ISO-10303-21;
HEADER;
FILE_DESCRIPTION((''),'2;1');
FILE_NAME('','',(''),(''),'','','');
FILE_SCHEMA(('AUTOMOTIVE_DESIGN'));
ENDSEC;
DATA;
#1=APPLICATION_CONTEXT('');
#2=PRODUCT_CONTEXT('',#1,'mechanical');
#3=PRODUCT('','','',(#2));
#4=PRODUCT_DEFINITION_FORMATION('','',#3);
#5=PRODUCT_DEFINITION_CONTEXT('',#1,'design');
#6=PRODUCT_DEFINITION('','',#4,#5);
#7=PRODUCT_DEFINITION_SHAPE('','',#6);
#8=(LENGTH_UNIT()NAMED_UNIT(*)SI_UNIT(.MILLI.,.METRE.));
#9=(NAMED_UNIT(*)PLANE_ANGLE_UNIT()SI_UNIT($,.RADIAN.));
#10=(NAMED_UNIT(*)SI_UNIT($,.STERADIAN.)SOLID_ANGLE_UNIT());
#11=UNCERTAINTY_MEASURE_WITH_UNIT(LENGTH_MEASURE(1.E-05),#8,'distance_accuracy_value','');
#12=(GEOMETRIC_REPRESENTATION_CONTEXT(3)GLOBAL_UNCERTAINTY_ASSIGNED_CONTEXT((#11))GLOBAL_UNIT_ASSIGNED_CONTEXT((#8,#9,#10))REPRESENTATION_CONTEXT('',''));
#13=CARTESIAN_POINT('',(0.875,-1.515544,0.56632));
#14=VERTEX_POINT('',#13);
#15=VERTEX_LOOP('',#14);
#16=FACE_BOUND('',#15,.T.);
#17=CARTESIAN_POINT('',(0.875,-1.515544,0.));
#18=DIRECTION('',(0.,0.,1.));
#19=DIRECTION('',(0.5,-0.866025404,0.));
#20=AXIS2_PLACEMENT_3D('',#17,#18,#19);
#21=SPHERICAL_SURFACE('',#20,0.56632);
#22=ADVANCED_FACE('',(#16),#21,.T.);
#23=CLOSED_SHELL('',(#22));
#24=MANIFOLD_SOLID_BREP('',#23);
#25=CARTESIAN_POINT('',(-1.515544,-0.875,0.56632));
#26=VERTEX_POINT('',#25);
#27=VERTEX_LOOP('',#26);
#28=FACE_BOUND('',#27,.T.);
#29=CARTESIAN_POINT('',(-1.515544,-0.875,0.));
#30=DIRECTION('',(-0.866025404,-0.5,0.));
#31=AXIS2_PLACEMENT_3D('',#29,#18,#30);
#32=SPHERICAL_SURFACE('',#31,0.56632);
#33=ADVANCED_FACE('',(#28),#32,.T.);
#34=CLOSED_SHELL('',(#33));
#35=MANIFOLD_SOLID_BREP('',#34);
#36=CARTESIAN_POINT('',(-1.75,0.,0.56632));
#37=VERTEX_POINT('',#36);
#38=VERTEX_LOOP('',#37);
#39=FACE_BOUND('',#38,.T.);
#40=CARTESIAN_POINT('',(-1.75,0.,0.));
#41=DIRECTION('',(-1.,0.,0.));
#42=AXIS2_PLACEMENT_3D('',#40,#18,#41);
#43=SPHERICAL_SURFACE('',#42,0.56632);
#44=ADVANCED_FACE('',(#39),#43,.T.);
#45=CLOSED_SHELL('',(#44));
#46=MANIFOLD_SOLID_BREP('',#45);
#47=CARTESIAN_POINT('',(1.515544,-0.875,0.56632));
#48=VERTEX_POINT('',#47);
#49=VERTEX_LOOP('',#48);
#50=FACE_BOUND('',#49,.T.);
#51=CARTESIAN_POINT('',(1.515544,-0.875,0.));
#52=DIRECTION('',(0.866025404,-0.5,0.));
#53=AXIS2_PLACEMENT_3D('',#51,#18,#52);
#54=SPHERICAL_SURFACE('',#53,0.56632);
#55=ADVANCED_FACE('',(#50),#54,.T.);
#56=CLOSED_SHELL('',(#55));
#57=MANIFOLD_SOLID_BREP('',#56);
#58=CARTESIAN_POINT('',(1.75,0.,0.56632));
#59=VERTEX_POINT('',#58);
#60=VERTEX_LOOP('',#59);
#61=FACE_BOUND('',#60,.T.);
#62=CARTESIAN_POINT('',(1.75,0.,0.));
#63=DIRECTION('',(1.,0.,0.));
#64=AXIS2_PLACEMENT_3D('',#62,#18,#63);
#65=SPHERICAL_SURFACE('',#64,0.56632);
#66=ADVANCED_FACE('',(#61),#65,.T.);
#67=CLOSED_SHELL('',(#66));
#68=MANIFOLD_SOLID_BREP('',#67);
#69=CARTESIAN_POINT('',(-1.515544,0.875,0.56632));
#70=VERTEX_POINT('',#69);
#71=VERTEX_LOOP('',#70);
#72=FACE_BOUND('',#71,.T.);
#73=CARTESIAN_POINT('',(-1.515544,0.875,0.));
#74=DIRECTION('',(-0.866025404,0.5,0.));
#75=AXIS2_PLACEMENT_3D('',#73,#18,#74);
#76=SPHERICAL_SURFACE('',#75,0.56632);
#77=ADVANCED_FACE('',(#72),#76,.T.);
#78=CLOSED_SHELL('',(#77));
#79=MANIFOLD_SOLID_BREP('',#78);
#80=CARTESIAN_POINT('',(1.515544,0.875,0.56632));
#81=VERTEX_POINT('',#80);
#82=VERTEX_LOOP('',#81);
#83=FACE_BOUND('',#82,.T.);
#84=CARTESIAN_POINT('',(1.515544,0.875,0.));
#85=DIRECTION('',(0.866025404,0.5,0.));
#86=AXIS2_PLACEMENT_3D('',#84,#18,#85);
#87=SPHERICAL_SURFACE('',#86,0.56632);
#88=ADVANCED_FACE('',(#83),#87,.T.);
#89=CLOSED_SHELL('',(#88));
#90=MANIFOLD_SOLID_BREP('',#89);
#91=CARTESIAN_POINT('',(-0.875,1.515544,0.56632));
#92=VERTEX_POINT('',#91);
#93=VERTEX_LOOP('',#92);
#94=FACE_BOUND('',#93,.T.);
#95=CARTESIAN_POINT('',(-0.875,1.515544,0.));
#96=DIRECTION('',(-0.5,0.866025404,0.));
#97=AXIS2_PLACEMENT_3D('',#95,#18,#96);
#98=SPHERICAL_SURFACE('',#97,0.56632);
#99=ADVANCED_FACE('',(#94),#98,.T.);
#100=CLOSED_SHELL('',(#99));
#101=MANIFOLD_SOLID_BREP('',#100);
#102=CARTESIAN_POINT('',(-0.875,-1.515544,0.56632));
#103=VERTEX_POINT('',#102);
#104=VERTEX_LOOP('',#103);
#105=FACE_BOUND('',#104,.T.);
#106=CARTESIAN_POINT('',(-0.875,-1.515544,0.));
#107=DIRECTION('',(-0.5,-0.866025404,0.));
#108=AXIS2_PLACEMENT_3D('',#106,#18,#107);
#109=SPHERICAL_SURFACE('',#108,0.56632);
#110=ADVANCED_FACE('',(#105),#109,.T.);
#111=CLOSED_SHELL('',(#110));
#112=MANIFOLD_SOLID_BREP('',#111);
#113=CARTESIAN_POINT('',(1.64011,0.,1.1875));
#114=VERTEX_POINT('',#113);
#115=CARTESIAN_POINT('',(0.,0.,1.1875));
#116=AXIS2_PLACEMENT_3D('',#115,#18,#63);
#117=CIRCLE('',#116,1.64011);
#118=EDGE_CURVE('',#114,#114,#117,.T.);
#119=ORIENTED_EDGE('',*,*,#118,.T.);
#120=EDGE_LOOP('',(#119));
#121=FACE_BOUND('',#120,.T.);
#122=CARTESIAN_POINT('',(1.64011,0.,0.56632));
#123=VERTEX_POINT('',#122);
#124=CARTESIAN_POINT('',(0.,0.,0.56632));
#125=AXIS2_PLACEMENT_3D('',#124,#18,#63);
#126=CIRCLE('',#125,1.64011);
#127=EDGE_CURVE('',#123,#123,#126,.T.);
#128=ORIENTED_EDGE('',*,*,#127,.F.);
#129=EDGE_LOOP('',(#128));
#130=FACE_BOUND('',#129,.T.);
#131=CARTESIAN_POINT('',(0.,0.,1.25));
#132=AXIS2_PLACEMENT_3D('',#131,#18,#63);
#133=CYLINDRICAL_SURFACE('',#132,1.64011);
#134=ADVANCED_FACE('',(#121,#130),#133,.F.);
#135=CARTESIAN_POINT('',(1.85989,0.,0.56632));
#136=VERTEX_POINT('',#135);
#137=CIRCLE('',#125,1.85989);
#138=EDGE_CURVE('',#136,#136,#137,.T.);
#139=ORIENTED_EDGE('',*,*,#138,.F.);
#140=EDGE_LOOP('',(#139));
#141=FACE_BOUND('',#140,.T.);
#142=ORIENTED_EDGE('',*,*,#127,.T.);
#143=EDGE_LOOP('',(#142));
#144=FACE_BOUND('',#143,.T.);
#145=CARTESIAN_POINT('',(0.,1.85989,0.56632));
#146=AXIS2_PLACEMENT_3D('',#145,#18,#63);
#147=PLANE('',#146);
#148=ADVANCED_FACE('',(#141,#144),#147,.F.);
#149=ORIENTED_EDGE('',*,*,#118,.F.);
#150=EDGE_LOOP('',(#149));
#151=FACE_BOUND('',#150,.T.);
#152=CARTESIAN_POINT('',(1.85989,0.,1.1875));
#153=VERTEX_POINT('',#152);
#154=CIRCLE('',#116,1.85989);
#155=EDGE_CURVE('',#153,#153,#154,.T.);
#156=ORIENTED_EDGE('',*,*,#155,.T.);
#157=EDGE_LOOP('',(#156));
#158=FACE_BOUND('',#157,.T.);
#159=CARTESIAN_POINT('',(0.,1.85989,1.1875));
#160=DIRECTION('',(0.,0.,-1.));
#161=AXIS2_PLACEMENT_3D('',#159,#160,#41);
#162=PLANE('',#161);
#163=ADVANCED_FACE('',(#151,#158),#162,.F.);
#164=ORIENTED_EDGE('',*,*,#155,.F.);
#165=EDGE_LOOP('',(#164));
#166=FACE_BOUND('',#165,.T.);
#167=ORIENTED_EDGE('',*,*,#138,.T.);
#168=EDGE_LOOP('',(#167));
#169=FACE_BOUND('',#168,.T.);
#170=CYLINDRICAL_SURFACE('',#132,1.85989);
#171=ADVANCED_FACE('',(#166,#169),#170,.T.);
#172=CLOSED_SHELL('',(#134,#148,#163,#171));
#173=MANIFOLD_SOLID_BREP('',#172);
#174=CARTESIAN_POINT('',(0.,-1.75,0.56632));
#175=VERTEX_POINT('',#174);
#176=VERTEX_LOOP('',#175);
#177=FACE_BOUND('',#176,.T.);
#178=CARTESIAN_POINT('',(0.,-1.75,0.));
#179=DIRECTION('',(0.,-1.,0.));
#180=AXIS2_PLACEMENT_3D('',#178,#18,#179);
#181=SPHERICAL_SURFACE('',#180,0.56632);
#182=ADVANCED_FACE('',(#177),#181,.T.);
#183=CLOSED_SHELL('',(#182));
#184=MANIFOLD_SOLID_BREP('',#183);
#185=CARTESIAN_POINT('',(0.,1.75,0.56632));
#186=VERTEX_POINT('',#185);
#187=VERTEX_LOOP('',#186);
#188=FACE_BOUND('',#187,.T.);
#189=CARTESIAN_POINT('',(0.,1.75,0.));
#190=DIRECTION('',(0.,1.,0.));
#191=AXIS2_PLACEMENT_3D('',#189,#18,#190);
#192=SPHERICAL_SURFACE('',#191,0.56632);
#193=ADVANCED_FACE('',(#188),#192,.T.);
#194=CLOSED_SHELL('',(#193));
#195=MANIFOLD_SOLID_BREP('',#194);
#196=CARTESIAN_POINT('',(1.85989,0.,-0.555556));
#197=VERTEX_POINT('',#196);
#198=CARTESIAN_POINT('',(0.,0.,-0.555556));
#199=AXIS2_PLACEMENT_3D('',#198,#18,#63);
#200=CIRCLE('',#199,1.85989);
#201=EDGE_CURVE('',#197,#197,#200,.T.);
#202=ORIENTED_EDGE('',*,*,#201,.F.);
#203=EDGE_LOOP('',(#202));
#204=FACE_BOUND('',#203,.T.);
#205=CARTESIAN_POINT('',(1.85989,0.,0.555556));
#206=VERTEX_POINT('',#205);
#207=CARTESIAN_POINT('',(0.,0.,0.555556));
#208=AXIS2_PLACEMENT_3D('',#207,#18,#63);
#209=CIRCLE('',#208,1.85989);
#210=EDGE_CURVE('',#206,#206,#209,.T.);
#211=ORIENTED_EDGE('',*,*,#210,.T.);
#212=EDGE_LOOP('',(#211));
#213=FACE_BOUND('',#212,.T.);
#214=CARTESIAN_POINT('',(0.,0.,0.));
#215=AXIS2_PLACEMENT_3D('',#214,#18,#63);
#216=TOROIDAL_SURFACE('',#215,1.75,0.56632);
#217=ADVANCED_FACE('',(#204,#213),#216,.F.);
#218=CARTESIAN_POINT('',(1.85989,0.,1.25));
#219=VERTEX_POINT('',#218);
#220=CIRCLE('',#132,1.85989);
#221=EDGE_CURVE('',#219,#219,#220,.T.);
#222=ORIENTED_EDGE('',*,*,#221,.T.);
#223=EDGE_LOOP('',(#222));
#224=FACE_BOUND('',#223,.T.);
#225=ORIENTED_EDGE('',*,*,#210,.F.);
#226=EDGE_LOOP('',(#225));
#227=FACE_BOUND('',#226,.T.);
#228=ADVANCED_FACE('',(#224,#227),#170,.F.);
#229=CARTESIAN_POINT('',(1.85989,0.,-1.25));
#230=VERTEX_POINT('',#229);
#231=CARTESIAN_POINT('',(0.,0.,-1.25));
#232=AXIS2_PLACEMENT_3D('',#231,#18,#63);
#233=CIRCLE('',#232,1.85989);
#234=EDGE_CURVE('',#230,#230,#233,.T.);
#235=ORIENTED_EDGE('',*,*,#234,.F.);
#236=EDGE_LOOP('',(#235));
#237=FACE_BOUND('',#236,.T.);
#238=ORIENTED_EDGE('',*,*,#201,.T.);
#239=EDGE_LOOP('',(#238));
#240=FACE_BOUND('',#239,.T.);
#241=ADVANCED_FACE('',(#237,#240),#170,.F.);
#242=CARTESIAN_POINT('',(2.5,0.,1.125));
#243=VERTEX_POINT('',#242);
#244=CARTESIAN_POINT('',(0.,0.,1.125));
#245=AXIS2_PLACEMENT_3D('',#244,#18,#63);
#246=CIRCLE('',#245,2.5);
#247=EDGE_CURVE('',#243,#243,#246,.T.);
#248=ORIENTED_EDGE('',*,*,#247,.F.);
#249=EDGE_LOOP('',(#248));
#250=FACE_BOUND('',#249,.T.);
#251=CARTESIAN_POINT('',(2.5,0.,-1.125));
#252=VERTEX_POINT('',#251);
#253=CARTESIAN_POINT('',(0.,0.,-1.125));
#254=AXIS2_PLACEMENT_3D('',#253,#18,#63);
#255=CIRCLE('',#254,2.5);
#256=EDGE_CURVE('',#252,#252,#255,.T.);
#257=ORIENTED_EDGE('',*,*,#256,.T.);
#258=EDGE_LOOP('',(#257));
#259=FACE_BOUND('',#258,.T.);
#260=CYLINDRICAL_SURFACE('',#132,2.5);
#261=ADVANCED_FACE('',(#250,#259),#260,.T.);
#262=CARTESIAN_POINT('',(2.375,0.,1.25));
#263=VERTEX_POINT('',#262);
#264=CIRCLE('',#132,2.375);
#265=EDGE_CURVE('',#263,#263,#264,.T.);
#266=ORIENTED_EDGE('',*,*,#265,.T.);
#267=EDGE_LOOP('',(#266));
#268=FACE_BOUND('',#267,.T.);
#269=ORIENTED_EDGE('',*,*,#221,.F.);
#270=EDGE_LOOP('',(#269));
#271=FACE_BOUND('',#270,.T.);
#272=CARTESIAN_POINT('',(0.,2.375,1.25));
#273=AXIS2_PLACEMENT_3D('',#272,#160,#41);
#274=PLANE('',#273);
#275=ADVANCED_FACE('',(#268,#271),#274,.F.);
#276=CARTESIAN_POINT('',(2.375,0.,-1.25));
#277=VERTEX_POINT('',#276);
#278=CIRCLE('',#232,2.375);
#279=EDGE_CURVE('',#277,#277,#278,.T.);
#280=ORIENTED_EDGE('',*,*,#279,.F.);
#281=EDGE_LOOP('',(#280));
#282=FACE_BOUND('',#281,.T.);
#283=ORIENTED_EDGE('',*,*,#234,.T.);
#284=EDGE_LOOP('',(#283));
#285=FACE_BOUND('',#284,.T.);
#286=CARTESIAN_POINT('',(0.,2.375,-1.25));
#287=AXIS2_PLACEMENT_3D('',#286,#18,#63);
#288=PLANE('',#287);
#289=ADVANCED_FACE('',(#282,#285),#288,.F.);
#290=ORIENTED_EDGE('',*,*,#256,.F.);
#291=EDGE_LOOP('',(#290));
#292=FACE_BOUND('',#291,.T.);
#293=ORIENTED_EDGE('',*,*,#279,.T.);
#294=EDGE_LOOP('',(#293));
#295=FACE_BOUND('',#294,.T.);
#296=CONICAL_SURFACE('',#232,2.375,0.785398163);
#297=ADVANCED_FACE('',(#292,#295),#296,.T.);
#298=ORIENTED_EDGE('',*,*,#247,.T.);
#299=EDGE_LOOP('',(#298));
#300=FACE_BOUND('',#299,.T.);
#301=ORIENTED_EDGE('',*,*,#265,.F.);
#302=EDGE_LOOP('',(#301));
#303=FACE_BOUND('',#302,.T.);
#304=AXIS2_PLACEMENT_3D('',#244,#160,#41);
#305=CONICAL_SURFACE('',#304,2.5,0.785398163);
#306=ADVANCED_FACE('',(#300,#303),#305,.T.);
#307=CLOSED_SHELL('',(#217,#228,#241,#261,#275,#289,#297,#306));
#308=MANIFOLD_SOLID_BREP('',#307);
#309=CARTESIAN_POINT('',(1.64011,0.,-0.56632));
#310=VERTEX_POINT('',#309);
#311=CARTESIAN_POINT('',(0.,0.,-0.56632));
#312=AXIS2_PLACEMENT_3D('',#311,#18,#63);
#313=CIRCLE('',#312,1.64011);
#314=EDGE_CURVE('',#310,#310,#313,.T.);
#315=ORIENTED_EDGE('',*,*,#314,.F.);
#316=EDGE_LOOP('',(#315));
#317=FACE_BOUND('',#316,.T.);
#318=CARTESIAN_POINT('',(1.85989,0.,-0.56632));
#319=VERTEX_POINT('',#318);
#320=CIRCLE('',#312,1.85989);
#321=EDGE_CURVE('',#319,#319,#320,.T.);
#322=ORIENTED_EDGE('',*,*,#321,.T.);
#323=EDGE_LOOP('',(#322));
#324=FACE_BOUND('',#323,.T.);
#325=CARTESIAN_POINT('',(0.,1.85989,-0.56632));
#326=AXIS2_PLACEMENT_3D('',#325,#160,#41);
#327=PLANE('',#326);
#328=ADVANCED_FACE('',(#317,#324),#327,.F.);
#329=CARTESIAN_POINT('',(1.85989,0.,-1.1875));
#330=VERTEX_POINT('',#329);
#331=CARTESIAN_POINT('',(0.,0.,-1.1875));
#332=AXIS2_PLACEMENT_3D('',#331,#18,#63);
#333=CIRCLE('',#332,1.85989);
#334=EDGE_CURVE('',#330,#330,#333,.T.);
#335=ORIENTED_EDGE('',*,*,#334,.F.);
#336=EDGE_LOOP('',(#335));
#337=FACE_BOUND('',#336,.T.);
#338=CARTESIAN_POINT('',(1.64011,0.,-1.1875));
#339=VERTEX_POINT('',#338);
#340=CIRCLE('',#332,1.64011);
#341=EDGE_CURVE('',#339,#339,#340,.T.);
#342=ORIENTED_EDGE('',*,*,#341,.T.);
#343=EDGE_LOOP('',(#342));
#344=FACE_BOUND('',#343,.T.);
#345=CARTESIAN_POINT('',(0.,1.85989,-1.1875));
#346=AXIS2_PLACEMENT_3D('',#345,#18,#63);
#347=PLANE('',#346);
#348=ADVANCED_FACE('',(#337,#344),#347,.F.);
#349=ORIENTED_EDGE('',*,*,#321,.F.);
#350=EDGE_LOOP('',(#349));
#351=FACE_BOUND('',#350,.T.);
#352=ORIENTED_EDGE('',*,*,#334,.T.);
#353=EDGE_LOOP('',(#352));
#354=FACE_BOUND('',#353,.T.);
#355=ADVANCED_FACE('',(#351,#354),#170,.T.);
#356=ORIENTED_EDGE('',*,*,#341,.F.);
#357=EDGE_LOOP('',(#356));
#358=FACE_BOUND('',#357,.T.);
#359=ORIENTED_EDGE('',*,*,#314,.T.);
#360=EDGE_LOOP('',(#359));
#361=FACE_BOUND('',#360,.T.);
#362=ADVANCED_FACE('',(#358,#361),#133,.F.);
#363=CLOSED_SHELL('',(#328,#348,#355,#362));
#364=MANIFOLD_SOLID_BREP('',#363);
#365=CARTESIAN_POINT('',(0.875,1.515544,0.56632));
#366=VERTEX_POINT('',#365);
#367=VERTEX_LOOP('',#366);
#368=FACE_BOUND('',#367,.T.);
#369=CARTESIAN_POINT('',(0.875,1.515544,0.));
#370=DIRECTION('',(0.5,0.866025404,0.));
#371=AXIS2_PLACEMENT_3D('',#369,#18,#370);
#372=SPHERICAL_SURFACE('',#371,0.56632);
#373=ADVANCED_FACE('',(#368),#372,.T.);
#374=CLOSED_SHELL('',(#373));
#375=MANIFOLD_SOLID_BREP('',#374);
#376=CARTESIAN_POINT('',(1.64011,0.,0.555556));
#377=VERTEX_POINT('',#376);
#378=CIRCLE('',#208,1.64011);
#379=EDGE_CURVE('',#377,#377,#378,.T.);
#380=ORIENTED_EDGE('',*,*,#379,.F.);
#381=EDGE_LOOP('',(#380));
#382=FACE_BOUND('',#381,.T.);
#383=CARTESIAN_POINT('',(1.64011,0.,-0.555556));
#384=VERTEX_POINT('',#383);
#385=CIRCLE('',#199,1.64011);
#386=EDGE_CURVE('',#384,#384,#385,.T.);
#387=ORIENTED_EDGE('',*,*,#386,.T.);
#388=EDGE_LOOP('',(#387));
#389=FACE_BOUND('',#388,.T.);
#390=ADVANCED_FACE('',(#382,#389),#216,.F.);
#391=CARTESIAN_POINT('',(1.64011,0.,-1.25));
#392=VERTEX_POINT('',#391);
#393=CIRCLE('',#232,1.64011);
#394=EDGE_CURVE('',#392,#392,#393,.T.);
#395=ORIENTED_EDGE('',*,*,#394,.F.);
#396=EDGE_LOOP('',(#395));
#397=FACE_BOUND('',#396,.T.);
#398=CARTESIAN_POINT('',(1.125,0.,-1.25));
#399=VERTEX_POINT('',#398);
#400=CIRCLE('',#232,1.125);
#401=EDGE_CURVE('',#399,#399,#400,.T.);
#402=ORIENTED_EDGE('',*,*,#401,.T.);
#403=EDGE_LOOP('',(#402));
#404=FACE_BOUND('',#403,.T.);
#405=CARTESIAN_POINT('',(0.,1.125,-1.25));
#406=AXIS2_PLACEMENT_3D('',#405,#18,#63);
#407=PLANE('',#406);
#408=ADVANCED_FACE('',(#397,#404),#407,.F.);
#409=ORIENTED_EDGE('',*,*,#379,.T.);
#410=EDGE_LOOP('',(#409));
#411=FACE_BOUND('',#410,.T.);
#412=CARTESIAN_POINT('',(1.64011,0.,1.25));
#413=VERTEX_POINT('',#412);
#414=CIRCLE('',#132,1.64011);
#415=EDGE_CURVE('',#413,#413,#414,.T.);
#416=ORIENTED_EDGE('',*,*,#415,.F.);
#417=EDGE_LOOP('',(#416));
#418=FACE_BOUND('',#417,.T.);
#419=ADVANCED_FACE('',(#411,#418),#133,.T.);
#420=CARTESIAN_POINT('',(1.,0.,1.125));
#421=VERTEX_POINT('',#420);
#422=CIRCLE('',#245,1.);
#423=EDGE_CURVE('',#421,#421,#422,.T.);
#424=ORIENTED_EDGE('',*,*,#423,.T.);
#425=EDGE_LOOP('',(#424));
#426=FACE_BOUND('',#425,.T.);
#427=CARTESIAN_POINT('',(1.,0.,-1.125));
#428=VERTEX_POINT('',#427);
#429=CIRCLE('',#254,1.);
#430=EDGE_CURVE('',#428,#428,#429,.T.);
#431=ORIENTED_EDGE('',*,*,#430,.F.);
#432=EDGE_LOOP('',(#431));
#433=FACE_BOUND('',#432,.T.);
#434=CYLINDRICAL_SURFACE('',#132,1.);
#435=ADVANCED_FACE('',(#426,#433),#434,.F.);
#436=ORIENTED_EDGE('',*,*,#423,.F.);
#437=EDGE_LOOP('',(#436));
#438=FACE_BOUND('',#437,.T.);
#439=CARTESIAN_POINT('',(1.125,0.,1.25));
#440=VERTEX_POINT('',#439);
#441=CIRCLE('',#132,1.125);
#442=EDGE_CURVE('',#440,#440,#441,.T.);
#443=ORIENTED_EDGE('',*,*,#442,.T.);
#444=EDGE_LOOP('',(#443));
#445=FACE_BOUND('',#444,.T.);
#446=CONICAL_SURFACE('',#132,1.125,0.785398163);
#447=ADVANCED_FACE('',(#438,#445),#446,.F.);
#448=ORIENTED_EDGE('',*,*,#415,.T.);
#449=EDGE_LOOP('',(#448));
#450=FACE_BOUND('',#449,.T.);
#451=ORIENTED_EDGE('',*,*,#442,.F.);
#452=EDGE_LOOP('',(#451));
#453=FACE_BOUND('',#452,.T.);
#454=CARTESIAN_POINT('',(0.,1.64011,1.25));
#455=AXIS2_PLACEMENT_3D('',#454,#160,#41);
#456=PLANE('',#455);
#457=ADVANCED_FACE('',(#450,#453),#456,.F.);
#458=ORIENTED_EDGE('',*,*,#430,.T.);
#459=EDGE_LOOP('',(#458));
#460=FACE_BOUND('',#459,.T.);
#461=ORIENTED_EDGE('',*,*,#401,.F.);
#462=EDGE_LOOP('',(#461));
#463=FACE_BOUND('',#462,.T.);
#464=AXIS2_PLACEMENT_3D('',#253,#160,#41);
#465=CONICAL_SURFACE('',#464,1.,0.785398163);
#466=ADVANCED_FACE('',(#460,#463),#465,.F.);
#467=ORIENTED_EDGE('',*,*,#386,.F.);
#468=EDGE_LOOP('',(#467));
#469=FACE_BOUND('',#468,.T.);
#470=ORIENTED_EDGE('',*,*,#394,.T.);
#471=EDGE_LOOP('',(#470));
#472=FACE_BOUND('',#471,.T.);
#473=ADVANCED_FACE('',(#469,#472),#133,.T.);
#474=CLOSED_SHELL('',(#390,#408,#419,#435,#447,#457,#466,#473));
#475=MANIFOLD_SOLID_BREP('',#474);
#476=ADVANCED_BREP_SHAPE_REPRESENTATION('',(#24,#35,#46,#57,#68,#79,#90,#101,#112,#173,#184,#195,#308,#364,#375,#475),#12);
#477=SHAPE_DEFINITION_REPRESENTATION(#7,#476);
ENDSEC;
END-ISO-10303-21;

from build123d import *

# Parameters (mm, degrees)
CIRPATTERN1_COUNT = 12
SKETCH5_W         = 0.621180469
SKETCH5_H         = 0.21978022


with BuildPart() as part:
    # Sketch1 → Revolve1 (revolve)
    with BuildSketch(Plane(origin=(0, 0, 0), x_dir=(0, 0, -1), z_dir=(1, 0, 0))):
        with BuildLine():
            Line((1.125, 2.5), (-1.125, 2.5))
            Line((-1.125, 2.5), (-1.25, 2.375))
            Line((-1.25, 2.375), (-1.25, 1.85989011))
            Line((-1.25, 1.85989011), (-0.555555556, 1.85989011))
            ThreePointArc((-0.555555556, 1.85989011), (0, 2.316319531), (0.555555556, 1.85989011))
            Line((0.555555556, 1.85989011), (1.25, 1.85989011))
            Line((1.25, 1.85989011), (1.25, 2.375))
            Line((1.25, 2.375), (1.125, 2.5))
        make_face()
    revolve(axis=Axis((0, 0, 1.25), (0, 0, -1)))


with BuildPart() as body_2:
    # Sketch3 → Revolve3 (revolve)
    with BuildSketch(Plane(origin=(0, 0, 0), x_dir=(0, 0, -1), z_dir=(1, 0, 0))):
        with BuildLine():
            Line((-1.25, 1.64010989), (-0.555555556, 1.64010989))
            ThreePointArc((-0.555555556, 1.64010989), (0, 1.183680469), (0.555555556, 1.64010989))
            Line((0.555555556, 1.64010989), (1.25, 1.64010989))
            Line((1.25, 1.64010989), (1.25, 1.125))
            Line((1.25, 1.125), (1.125, 1))
            Line((1.125, 1), (-1.125, 1))
            Line((-1.125, 1), (-1.25, 1.125))
            Line((-1.25, 1.125), (-1.25, 1.64010989))
        make_face()
    revolve(axis=Axis((0, 0, 1.25), (0, 0, -1)))


with BuildPart() as body_3:
    # Sketch4 → Revolve4 (revolve)
    with BuildSketch(Plane(origin=(0, 0, 0), x_dir=(0, 0, -1), z_dir=(1, 0, 0))):
        with BuildLine():
            Line((-0.566319531, 1.75), (0.566319531, 1.75))
            ThreePointArc((0.566319531, 1.75), (0, 2.316319531), (-0.566319531, 1.75))
        make_face()
    revolve(axis=Axis((0, 1.75, 0.566319531), (0, 0, -1)))


with BuildPart() as cirpattern1_1:
    # CirPattern1: pattern copy
    add(body_3.part.rotate(Axis((0, 0, -1.25), (0, 0, 1)), 1 * 360 / CIRPATTERN1_COUNT))


with BuildPart() as cirpattern1_2:
    # CirPattern1: pattern copy
    add(body_3.part.rotate(Axis((0, 0, -1.25), (0, 0, 1)), 2 * 360 / CIRPATTERN1_COUNT))


with BuildPart() as cirpattern1_3:
    # CirPattern1: pattern copy
    add(body_3.part.rotate(Axis((0, 0, -1.25), (0, 0, 1)), 3 * 360 / CIRPATTERN1_COUNT))


with BuildPart() as cirpattern1_4:
    # CirPattern1: pattern copy
    add(body_3.part.rotate(Axis((0, 0, -1.25), (0, 0, 1)), 4 * 360 / CIRPATTERN1_COUNT))


with BuildPart() as cirpattern1_5:
    # CirPattern1: pattern copy
    add(body_3.part.rotate(Axis((0, 0, -1.25), (0, 0, 1)), 5 * 360 / CIRPATTERN1_COUNT))


with BuildPart() as cirpattern1_6:
    # CirPattern1: pattern copy
    add(body_3.part.rotate(Axis((0, 0, -1.25), (0, 0, 1)), 6 * 360 / CIRPATTERN1_COUNT))


with BuildPart() as cirpattern1_7:
    # CirPattern1: pattern copy
    add(body_3.part.rotate(Axis((0, 0, -1.25), (0, 0, 1)), 7 * 360 / CIRPATTERN1_COUNT))


with BuildPart() as cirpattern1_8:
    # CirPattern1: pattern copy
    add(body_3.part.rotate(Axis((0, 0, -1.25), (0, 0, 1)), 8 * 360 / CIRPATTERN1_COUNT))


with BuildPart() as cirpattern1_9:
    # CirPattern1: pattern copy
    add(body_3.part.rotate(Axis((0, 0, -1.25), (0, 0, 1)), 9 * 360 / CIRPATTERN1_COUNT))


with BuildPart() as cirpattern1_10:
    # CirPattern1: pattern copy
    add(body_3.part.rotate(Axis((0, 0, -1.25), (0, 0, 1)), 10 * 360 / CIRPATTERN1_COUNT))


with BuildPart() as cirpattern1_11:
    # CirPattern1: pattern copy
    add(body_3.part.rotate(Axis((0, 0, -1.25), (0, 0, 1)), 11 * 360 / CIRPATTERN1_COUNT))


with BuildPart() as body_15:
    # Sketch5 → Revolve5 (revolve)
    with BuildSketch(Plane(origin=(0, 0, 0), x_dir=(0, 0, -1), z_dir=(1, 0, 0))):
        with Locations((-0.876909765, 1.75)):
            Rectangle(SKETCH5_W, SKETCH5_H)
        with Locations((0.876909765, 1.75)):
            Rectangle(SKETCH5_W, SKETCH5_H)
    revolve(axis=Axis((0, 0, 1.25), (0, 0, -1)))


solid = Compound([part.part, body_2.part, body_3.part, cirpattern1_1.part, cirpattern1_2.part, cirpattern1_3.part, cirpattern1_4.part, cirpattern1_5.part, cirpattern1_6.part, cirpattern1_7.part, cirpattern1_8.part, cirpattern1_9.part, cirpattern1_10.part, cirpattern1_11.part, body_15.part])
